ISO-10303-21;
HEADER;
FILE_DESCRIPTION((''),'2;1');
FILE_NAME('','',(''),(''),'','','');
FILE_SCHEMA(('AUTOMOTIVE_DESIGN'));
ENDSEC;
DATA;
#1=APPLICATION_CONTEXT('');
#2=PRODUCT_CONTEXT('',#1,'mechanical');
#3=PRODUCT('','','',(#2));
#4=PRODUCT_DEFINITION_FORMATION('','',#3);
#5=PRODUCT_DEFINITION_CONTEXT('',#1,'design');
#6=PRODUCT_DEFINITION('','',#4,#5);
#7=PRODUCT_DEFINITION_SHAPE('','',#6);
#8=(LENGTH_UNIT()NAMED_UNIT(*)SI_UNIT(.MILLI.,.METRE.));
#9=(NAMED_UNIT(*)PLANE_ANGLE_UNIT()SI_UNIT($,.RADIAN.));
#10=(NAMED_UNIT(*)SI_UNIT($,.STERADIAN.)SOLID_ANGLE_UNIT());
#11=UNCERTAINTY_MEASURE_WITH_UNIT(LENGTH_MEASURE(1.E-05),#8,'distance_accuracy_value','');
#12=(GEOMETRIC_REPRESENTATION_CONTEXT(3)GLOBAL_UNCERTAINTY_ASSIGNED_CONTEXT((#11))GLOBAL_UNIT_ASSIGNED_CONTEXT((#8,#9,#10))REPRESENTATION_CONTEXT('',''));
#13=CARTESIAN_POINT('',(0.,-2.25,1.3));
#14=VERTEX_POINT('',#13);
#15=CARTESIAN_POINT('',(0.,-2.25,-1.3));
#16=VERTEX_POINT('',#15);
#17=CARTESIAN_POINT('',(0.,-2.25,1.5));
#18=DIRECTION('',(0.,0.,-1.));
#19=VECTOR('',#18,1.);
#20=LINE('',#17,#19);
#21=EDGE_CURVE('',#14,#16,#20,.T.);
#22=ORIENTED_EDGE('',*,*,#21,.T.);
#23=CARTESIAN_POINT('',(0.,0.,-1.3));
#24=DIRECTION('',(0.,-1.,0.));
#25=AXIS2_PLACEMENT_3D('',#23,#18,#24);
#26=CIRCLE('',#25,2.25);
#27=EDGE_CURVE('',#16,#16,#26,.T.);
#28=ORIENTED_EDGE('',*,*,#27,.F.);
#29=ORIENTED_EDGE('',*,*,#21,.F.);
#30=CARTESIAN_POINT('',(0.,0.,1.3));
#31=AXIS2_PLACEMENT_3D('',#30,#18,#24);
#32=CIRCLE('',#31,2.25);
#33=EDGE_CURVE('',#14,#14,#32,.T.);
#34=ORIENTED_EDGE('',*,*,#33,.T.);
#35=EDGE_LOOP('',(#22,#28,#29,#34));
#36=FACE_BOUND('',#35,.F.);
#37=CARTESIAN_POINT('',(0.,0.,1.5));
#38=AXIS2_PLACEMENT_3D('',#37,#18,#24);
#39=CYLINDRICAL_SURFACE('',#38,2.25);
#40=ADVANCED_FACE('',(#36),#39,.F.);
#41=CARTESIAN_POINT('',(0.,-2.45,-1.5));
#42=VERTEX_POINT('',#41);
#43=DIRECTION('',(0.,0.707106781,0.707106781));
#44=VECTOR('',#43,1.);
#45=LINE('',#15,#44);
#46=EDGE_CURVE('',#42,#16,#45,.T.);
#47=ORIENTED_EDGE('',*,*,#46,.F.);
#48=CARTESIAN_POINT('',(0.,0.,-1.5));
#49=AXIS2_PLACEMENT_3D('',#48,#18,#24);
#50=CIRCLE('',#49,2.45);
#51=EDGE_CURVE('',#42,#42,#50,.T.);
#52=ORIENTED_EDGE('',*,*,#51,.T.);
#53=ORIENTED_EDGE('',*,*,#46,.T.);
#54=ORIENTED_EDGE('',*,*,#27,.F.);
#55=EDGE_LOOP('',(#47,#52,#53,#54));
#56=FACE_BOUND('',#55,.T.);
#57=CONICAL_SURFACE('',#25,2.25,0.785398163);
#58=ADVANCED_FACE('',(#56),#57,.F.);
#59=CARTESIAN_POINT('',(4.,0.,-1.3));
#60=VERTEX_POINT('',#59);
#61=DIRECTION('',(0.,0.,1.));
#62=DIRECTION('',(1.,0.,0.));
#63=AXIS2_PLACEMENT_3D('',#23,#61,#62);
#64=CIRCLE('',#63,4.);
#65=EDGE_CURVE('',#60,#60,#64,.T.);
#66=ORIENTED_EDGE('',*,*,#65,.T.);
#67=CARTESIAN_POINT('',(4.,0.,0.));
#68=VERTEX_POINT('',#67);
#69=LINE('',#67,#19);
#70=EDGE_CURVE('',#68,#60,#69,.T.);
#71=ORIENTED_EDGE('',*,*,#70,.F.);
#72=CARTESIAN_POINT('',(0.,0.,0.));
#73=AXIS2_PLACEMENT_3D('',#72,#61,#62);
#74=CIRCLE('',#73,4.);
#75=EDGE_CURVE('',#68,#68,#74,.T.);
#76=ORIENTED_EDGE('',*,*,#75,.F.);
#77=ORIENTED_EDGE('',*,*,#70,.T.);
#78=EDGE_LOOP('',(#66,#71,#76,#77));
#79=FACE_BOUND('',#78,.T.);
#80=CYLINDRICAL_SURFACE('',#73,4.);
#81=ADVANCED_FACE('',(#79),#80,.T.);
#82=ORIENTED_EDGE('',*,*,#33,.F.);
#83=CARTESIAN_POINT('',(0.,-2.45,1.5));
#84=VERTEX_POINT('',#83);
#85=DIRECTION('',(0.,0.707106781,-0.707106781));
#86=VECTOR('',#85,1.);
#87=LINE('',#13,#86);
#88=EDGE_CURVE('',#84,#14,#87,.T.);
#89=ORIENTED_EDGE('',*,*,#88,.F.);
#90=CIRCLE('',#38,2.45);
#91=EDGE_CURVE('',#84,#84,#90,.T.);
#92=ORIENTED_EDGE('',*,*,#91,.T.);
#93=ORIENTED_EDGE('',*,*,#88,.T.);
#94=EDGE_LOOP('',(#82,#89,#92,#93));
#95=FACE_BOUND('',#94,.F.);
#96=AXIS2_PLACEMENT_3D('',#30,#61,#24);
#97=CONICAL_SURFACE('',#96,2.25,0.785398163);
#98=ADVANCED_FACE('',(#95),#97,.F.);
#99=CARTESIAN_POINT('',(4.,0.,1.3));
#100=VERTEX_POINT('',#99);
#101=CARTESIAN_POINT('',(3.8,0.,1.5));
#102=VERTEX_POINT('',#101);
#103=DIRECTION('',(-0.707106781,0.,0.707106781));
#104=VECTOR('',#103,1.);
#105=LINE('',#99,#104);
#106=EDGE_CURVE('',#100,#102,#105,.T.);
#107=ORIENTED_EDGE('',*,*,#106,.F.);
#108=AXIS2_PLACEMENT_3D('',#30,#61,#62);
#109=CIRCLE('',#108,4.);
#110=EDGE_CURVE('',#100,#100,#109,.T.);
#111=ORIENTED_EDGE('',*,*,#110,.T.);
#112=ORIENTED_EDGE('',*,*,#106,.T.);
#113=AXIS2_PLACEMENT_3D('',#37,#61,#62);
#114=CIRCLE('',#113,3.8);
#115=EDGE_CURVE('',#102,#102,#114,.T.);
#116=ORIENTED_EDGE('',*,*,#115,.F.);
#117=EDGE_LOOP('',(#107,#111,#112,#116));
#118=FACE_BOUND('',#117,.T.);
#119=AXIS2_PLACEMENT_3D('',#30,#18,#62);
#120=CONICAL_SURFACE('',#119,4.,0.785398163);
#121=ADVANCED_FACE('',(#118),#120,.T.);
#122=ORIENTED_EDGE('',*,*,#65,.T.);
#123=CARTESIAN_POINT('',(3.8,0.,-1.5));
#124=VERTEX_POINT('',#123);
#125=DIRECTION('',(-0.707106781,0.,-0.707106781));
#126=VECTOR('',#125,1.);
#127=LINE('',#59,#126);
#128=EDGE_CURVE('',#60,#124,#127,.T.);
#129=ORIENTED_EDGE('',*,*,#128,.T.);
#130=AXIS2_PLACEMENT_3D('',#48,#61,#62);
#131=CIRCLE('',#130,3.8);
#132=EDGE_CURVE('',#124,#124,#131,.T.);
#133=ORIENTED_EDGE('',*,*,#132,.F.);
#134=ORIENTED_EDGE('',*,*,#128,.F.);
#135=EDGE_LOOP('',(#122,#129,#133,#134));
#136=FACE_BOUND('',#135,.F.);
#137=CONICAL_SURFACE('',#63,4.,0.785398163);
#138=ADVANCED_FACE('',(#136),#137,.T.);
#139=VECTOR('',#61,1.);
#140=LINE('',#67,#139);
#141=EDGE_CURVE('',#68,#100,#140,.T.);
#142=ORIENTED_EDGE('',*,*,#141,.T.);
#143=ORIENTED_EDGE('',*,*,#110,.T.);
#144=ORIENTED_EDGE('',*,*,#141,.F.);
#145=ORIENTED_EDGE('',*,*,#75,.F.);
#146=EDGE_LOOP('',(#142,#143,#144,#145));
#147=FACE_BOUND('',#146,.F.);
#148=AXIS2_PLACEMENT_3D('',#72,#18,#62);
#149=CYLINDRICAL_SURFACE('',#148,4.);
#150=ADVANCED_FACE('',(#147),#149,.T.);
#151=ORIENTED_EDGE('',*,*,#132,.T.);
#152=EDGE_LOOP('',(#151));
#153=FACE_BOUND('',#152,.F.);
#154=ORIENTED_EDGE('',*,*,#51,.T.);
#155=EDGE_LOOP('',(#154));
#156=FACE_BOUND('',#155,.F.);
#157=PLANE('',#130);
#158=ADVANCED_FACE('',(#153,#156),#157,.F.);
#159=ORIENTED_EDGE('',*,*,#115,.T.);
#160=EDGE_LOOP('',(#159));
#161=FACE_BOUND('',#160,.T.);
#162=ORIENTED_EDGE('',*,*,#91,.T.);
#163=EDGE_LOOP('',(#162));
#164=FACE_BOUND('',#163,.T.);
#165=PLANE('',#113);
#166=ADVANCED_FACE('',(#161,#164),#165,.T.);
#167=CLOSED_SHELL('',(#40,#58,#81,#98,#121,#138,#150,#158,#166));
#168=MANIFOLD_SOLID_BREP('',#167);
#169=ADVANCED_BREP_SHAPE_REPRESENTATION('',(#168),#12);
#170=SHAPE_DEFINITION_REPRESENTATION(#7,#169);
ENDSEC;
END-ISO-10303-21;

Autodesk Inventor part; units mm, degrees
ref_plane "YZ Plane" through (0, 0, 0) normal (1, 0, 0) x (0, 1, 0)
ref_plane "XZ Plane" through (0, 0, 0) normal (0, 1, 0) x (-1, 0, 0)
ref_plane "XY Plane" through (0, 0, 0) normal (0, 0, 1) x (1, 0, 0)
sketch "スケッチ1" plane through (0, 0, 0) normal (0, 0, 1) x (1, 0, 0)
  circle A0 centre (0, 0) radius 4
  dimension "d13" = 8
extrude "押し出し1" add sketch "スケッチ1" along normal mid plane 3
sketch "スケッチ2" plane through (0, 0, 1.5) normal (0, 0, 1) x (1, 0, 0)
  point P0 (0, 0)
  point P1 (0, 0)
hole "穴1" at (0, 0, 1.5) direction (0, 0, -1) diameter 4.5 end through all clearance for "Flat Head Machine Screw" size "M4" standard "Ansi Metric M Profile"
mirror "ミラー1" about plane through (0, 0, 0) normal (0, 0, 1) of "穴1"
chamfer "面取り1" distance 0.2 angle 45 4 edges at (0, 2.25, 1.5) (-4, 0, 1.5) (-4, 0, -1.5) (0, 2.25, -1.5)
properties part number "unir-spacer6" material "鋼、炭素鋼"
